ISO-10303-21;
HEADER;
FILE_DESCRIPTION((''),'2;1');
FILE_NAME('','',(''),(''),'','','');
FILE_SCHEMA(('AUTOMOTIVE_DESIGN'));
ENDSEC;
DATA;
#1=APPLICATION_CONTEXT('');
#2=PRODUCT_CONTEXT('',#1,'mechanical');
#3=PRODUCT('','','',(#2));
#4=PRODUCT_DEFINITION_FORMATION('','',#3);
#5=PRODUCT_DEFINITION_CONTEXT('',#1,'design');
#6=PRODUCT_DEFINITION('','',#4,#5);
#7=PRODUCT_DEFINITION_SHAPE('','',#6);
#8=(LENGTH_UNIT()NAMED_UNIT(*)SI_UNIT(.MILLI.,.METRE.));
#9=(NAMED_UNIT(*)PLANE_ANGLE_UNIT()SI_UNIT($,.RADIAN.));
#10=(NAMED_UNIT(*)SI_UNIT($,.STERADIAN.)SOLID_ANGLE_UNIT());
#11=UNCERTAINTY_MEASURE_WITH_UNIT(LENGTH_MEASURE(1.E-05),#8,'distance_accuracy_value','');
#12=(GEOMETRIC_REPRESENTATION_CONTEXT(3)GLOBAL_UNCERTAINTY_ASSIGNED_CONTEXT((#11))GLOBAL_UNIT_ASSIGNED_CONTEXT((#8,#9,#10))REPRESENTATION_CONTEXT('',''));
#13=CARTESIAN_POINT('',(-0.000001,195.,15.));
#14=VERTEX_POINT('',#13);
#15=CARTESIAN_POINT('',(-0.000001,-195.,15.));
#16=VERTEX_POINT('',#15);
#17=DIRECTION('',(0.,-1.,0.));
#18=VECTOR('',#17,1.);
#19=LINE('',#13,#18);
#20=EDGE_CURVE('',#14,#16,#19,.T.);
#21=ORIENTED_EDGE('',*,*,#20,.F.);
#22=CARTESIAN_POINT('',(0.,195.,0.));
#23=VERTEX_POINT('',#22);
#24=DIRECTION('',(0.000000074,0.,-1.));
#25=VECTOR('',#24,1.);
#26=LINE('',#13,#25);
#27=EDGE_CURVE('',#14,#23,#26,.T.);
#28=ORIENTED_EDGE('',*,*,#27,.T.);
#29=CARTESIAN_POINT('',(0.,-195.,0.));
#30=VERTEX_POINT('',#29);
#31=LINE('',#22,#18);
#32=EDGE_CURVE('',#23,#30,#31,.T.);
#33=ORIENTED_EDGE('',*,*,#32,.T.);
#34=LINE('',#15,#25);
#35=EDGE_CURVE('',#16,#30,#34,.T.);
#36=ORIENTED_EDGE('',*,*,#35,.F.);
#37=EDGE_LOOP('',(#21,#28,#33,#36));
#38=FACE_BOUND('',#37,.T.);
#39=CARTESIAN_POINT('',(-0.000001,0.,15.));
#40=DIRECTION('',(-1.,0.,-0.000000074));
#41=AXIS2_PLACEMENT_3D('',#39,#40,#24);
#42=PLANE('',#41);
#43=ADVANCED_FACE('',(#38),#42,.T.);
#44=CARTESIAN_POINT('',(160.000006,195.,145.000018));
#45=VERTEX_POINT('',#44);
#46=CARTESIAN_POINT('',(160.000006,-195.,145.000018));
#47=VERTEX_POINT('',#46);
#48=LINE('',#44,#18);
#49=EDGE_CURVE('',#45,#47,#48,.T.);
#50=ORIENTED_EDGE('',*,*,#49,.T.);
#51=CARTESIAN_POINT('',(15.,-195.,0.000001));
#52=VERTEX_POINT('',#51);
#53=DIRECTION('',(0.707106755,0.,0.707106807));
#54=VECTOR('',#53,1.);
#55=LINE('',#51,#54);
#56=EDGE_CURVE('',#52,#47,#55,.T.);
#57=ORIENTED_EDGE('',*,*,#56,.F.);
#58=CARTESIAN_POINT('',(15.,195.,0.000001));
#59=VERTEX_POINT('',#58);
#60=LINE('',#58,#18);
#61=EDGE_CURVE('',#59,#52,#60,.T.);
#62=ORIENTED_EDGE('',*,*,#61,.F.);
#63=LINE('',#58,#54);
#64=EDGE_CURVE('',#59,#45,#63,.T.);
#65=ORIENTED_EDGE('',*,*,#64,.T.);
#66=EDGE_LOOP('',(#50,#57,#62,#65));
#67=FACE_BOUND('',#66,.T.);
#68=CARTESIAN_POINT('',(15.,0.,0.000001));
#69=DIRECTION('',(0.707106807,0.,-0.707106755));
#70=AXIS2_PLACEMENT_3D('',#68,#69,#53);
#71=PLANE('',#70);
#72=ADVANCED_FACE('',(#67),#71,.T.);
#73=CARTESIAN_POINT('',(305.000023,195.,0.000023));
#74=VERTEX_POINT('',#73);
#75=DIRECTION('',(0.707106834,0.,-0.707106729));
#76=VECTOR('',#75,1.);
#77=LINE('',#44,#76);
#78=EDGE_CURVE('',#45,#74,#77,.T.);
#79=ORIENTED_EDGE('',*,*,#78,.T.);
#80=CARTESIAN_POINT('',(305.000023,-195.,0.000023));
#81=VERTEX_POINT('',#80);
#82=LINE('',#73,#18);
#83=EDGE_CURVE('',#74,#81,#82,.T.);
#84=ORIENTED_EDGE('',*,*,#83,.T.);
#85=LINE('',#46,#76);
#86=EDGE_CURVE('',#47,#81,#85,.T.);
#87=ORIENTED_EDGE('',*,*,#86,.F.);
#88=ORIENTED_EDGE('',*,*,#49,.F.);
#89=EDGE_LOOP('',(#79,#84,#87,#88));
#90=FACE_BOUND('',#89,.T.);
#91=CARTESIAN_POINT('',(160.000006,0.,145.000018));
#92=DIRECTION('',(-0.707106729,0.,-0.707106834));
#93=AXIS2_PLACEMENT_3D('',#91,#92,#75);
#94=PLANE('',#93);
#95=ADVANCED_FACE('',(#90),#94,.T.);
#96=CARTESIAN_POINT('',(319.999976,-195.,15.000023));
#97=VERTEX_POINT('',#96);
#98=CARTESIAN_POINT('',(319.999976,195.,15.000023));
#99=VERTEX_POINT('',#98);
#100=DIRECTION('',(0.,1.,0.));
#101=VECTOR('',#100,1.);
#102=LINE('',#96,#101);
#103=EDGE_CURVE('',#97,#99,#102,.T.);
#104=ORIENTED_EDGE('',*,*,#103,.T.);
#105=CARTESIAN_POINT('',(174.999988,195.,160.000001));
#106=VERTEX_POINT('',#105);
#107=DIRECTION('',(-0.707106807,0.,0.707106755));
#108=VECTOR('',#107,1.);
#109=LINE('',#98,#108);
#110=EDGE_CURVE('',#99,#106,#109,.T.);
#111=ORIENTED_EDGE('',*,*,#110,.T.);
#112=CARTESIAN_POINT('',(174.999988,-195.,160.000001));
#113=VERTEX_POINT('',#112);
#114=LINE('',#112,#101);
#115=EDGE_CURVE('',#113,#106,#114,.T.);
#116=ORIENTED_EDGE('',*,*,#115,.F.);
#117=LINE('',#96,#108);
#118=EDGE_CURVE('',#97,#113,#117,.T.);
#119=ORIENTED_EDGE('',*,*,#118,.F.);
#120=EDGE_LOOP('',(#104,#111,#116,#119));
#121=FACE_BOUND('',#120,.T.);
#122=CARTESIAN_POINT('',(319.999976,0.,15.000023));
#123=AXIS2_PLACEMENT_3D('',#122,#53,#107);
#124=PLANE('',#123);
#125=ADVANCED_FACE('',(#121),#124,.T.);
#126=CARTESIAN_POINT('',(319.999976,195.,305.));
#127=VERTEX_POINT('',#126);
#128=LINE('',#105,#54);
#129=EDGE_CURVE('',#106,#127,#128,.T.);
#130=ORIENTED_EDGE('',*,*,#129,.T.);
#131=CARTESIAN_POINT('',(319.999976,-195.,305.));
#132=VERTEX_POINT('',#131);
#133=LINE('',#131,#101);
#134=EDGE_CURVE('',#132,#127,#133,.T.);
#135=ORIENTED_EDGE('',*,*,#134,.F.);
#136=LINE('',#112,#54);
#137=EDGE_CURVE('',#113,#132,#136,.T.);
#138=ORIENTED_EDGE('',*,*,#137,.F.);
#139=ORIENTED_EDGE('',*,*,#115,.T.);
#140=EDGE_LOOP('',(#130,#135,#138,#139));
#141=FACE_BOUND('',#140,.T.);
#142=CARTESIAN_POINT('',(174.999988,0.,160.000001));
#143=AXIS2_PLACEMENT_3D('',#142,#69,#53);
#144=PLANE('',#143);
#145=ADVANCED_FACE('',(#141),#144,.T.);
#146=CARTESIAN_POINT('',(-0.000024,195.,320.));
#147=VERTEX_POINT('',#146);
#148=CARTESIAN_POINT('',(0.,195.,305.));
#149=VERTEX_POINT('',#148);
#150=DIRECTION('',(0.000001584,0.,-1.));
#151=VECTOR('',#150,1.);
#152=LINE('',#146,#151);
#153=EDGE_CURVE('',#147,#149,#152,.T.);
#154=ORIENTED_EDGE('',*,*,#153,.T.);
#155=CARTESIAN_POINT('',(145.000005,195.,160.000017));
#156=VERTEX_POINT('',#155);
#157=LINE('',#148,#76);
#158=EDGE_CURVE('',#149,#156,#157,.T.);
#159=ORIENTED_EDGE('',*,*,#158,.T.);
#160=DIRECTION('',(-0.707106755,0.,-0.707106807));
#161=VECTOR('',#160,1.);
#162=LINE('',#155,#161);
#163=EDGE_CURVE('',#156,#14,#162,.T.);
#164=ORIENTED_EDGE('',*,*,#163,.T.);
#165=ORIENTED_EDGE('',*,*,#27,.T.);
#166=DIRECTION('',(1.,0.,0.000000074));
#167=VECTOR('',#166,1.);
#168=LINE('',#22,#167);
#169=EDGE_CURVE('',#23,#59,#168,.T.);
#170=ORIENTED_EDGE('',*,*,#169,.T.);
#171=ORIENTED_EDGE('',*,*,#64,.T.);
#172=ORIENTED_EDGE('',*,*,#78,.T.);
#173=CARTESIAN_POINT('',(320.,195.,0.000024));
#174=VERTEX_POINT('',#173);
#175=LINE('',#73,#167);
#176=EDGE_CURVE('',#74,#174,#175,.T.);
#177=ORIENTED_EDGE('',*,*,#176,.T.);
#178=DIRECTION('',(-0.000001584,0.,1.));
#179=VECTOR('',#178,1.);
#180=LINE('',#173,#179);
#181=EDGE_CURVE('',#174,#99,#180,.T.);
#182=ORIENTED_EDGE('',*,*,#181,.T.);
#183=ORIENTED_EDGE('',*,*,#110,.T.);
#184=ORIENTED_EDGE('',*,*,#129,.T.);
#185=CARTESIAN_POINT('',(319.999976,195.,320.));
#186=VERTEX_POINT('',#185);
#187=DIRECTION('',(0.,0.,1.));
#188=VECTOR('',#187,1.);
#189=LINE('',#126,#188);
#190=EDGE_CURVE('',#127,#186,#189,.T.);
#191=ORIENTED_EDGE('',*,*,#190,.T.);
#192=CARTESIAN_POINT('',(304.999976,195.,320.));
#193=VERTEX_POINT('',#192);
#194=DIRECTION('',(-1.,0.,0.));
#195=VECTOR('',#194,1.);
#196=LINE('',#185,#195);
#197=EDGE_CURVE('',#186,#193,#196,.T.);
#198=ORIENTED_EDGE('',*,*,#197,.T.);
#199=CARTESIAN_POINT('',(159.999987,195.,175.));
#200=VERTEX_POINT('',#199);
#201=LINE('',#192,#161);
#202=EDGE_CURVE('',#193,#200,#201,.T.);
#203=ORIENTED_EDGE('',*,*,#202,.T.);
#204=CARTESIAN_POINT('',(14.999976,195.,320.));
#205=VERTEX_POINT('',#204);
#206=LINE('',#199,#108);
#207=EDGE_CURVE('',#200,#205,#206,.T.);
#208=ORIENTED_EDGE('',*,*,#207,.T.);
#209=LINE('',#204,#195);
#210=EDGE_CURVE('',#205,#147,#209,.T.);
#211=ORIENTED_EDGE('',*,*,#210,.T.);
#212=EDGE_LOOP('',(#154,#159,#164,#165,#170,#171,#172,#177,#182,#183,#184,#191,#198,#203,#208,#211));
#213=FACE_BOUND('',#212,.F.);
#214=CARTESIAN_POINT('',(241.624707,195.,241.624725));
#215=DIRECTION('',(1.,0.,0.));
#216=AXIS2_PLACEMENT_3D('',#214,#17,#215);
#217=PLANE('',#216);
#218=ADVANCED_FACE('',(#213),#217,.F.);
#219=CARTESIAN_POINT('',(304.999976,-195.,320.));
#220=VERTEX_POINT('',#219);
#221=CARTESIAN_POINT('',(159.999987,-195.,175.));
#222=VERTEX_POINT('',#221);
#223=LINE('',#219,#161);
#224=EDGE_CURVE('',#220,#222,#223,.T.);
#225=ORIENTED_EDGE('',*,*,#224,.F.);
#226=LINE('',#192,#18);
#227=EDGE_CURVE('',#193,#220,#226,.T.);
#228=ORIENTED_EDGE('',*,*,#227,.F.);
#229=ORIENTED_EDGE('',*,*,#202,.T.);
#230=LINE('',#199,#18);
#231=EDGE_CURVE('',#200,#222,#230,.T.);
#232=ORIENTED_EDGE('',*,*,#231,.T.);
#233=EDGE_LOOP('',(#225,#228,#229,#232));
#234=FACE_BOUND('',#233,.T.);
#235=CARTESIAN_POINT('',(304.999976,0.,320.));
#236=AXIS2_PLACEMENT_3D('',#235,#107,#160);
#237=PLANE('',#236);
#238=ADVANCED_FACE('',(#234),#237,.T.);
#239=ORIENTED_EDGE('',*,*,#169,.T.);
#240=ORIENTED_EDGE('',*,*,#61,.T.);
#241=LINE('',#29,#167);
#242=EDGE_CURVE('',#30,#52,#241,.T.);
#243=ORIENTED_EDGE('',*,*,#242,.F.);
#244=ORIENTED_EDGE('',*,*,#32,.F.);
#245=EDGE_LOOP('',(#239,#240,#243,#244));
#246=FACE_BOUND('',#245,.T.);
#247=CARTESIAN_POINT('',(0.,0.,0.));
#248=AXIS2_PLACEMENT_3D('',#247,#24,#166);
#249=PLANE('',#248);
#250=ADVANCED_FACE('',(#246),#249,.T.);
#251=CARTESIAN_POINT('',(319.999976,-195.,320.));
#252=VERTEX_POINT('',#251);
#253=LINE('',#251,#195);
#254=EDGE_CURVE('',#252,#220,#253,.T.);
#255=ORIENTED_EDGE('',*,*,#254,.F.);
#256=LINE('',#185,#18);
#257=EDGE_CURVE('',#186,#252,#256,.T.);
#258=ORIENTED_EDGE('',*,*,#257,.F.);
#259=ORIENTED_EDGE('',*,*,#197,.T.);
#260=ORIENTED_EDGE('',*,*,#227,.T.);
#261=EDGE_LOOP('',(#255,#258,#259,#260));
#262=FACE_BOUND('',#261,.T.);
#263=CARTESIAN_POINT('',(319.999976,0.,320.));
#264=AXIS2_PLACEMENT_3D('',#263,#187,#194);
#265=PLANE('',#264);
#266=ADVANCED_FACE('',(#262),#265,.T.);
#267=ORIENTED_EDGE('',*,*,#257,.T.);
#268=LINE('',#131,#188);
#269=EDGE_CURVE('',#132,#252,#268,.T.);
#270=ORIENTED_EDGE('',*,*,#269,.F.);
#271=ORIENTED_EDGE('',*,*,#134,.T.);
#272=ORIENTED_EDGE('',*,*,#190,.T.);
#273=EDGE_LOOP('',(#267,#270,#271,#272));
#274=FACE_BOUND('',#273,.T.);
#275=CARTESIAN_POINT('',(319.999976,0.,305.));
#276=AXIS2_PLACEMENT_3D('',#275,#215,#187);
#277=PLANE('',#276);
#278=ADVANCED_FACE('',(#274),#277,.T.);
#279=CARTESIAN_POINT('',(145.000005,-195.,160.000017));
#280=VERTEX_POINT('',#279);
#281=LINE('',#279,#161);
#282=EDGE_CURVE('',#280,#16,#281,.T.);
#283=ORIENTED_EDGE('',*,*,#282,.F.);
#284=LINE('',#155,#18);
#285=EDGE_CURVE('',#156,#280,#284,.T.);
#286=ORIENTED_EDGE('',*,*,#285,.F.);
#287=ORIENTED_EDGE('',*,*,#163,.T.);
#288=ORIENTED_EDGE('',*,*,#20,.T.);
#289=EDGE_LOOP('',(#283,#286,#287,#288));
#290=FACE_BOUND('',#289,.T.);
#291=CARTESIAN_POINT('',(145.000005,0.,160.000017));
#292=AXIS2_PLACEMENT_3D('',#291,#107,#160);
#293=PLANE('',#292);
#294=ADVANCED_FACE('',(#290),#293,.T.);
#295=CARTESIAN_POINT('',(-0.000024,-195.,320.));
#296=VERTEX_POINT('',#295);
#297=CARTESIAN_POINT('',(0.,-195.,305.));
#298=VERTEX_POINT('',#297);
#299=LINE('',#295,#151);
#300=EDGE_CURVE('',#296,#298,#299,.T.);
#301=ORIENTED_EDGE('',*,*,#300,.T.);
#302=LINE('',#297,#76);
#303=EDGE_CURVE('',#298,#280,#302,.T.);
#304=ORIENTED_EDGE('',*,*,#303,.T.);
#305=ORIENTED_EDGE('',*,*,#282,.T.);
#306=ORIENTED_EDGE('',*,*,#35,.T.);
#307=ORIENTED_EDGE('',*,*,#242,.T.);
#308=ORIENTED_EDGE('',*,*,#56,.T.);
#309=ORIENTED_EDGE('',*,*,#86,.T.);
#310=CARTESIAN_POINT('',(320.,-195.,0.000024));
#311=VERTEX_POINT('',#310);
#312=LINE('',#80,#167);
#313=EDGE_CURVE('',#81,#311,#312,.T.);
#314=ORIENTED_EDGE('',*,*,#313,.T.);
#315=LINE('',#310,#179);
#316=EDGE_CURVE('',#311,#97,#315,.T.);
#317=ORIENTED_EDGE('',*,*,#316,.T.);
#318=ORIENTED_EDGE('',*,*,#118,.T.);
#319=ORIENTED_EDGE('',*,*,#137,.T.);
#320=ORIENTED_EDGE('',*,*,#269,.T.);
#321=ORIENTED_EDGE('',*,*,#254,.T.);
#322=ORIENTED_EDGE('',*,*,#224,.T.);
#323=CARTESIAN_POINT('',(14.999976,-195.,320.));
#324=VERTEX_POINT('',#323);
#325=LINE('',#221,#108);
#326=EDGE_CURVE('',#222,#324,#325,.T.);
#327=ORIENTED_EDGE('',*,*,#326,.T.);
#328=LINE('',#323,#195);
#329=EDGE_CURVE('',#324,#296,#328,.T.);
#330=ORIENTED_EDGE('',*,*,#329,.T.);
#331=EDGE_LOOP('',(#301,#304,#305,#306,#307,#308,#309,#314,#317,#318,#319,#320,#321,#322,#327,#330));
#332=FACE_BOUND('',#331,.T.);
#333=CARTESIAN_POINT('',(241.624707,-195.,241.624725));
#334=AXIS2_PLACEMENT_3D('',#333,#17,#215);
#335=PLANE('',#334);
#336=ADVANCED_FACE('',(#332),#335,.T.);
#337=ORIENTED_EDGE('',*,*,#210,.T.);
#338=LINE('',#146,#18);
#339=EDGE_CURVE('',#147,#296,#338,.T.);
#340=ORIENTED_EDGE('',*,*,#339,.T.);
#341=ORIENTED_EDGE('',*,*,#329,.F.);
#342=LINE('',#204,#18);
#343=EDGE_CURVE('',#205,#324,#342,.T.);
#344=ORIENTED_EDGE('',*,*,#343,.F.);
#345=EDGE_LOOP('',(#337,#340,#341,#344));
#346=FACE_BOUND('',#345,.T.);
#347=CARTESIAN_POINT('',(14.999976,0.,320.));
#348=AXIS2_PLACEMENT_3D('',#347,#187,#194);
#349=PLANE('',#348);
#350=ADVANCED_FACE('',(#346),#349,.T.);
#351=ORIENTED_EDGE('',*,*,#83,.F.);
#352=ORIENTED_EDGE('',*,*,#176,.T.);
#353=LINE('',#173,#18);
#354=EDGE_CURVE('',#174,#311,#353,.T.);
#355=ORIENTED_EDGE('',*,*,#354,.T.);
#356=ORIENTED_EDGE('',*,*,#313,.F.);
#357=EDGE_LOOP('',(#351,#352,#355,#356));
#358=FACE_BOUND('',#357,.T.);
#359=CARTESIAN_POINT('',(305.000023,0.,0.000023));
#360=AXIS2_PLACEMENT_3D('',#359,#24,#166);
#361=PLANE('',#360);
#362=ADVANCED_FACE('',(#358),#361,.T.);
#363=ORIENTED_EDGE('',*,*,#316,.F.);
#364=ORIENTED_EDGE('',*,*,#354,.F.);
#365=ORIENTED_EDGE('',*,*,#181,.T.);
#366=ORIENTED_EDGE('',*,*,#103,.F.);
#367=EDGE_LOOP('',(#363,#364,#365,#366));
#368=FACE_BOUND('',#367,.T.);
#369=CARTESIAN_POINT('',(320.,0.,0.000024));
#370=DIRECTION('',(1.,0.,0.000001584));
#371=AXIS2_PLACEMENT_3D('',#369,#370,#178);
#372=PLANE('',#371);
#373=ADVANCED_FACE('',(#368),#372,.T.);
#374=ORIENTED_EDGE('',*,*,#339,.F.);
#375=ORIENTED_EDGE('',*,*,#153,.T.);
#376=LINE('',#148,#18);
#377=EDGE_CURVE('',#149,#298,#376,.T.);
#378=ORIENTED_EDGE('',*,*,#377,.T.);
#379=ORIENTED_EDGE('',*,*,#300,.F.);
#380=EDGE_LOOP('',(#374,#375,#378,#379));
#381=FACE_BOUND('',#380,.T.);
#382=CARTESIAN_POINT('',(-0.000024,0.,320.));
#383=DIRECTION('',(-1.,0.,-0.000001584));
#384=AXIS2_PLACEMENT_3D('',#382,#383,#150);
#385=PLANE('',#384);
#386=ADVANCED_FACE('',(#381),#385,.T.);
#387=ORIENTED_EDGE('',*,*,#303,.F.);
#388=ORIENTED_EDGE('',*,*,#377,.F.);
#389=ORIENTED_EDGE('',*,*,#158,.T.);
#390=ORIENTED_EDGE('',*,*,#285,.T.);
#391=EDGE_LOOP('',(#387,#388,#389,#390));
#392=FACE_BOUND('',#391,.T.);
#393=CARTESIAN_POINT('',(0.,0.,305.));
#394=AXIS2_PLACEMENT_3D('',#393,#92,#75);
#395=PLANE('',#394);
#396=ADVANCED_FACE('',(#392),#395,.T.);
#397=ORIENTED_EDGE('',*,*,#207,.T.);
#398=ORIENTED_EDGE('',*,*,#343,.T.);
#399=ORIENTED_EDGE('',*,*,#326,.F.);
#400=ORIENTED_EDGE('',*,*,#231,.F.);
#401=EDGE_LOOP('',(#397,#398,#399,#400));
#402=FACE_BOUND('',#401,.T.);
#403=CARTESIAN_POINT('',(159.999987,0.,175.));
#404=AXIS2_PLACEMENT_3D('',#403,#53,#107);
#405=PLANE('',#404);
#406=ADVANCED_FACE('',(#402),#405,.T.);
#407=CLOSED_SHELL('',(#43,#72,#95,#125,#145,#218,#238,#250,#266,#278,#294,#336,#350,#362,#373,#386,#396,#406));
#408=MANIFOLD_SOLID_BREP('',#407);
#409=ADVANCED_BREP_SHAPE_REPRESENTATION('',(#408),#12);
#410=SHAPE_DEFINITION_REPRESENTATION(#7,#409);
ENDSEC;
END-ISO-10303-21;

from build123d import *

# Parameters (mm, degrees)
F1_DEPTH = 195


with BuildPart() as f1:
    # F0 (on Front) → F1 (new body, symmetric)
    with BuildSketch(Plane.XZ):
        Polygon((319.9999762337, 305), (319.9999762337, 320), (304.9999762337, 320), (159.9999870028, 175), (174.9999875598, 160.000000557), align=None)
        Polygon((174.9999875598, 160.000000557), (159.9999870028, 175), (14.9999762337, 320), (-2.37663e-05, 320), (0, 305), (145.0000048275, 160.0000167107), (-1.114e-06, 15), (0, 0), (15, 1.114e-06), (160.0000059416, 145.0000178247), (305.0000226523, 2.26523e-05), (320, 2.37663e-05), (319.9999762337, 15.0000226523), align=None)
    extrude(amount=F1_DEPTH, both=True)


solid = f1.part
